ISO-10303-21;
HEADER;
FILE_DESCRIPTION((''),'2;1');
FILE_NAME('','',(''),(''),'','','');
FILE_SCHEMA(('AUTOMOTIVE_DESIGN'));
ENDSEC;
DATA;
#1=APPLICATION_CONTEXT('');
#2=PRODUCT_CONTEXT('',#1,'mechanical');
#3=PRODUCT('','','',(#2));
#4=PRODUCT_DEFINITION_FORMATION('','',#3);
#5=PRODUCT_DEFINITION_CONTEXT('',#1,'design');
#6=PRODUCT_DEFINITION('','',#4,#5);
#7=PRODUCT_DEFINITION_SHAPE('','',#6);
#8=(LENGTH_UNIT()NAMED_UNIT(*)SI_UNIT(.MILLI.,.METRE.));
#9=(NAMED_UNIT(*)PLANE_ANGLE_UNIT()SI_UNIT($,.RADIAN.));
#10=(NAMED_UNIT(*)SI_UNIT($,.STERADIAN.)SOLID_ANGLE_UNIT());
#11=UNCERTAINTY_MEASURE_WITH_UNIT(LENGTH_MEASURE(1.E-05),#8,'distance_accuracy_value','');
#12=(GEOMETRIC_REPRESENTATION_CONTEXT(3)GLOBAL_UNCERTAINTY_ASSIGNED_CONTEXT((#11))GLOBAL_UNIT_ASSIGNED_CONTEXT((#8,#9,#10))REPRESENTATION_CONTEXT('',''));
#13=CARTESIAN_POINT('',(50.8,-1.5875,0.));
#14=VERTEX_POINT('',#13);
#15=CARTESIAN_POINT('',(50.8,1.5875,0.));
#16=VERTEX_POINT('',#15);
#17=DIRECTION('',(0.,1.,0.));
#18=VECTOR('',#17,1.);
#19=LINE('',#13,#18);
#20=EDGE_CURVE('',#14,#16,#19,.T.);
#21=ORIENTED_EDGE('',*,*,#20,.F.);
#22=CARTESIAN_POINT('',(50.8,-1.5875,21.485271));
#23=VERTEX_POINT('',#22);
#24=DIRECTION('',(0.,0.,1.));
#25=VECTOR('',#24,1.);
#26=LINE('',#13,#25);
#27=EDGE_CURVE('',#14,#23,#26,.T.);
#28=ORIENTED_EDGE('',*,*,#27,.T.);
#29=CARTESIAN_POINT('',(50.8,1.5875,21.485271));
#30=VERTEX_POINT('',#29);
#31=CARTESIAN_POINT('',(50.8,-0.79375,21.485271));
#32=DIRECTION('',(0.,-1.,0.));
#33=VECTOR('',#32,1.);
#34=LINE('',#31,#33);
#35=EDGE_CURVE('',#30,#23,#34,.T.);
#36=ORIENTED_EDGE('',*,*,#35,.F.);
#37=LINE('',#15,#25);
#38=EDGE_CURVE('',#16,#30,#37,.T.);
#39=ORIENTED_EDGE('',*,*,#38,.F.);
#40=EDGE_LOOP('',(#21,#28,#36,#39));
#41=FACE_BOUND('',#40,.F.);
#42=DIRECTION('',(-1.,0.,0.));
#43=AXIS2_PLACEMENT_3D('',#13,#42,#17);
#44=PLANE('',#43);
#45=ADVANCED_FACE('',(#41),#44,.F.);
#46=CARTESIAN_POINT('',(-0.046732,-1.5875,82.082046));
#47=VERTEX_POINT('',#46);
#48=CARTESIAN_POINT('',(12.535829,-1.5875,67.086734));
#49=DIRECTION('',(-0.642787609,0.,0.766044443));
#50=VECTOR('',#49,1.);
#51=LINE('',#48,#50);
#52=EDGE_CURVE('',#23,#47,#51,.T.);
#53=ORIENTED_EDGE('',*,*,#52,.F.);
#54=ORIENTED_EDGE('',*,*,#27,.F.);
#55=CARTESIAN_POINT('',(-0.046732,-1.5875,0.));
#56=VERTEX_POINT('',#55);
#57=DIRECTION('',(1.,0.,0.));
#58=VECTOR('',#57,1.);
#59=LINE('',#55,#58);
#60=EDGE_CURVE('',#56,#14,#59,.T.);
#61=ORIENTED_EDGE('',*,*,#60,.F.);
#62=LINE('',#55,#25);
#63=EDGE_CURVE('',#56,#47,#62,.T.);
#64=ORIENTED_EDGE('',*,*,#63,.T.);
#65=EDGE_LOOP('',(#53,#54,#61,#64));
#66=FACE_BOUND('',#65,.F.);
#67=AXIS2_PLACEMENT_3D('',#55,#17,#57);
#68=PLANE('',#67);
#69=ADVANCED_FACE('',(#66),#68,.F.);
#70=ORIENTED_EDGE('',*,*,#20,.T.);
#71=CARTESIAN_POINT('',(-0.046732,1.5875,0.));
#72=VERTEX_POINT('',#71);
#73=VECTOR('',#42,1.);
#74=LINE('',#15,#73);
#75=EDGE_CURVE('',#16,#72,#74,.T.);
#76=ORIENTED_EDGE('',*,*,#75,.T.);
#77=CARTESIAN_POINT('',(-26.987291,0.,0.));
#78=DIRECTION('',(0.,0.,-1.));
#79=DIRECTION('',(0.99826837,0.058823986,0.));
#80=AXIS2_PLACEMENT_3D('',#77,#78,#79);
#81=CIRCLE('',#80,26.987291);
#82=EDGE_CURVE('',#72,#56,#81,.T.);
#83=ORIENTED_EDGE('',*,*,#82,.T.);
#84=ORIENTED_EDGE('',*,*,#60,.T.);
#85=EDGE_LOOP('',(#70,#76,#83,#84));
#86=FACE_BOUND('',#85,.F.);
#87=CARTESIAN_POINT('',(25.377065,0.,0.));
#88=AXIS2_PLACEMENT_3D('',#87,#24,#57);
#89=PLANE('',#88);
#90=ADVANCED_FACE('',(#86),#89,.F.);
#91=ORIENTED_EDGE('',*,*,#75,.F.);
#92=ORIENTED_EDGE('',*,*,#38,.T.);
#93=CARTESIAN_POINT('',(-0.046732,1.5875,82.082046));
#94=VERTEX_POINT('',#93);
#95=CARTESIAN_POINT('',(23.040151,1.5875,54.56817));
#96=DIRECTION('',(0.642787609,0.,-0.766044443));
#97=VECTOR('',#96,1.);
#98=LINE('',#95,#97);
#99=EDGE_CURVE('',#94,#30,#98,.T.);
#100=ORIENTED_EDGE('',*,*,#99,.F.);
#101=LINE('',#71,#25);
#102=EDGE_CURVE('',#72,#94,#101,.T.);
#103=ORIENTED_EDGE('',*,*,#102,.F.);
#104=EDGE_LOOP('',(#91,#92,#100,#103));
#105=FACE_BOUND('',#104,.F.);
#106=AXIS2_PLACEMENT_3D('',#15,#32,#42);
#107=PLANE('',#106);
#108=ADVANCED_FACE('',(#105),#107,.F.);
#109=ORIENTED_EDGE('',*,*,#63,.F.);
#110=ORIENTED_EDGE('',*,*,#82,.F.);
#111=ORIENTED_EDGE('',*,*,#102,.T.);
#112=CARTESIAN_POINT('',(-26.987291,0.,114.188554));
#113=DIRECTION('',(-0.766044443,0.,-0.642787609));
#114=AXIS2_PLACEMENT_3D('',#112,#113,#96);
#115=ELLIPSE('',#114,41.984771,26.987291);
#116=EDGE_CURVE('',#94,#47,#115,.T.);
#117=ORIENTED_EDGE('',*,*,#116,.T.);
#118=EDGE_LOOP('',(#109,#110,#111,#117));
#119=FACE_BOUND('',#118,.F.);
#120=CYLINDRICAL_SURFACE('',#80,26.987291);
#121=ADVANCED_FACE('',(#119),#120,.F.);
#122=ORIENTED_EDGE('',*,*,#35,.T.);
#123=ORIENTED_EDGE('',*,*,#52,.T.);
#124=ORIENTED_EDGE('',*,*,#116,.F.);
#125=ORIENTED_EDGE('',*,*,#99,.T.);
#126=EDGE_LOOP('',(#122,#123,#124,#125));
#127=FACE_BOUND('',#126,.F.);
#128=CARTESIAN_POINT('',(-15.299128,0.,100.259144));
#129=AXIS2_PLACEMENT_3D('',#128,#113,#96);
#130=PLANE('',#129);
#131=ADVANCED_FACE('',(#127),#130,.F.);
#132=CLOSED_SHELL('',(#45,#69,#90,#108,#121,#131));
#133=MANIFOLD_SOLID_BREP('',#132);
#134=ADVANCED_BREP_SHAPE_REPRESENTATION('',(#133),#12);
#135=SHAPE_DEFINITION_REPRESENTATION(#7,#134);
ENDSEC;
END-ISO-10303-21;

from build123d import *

# Parameters (mm, degrees)
F1_DEPTH = 88.9
F3_DEPTH = 12.7


with BuildPart() as f1:
    # F0 (on Top) → F1 (new body)
    with BuildSketch(Plane.XY):
        with BuildLine():
            ThreePointArc((-0.046732, 1.5875), (0, 0), (-0.046732, -1.5875))
            Line((-0.046732, -1.5875), (0, -1.5875))
            Line((0, -1.5875), (50.8, -1.5875))
            Line((50.8, -1.5875), (50.8, 0))
            Line((50.8, 0), (50.8, 1.5875))
            Line((50.8, 1.5875), (0, 1.5875))
            Line((0, 1.5875), (-0.046732, 1.5875))
        make_face()
    extrude(amount=F1_DEPTH)

    # F2 (on Front) → F3 (cut, symmetric)
    with BuildSketch(Plane.XZ):
        Polygon((-15.299128, 100.259144), (63.5, 6.35), (63.5, 100.259144), align=None)
    extrude(amount=F3_DEPTH, both=True, mode=Mode.SUBTRACT)


solid = f1.part
